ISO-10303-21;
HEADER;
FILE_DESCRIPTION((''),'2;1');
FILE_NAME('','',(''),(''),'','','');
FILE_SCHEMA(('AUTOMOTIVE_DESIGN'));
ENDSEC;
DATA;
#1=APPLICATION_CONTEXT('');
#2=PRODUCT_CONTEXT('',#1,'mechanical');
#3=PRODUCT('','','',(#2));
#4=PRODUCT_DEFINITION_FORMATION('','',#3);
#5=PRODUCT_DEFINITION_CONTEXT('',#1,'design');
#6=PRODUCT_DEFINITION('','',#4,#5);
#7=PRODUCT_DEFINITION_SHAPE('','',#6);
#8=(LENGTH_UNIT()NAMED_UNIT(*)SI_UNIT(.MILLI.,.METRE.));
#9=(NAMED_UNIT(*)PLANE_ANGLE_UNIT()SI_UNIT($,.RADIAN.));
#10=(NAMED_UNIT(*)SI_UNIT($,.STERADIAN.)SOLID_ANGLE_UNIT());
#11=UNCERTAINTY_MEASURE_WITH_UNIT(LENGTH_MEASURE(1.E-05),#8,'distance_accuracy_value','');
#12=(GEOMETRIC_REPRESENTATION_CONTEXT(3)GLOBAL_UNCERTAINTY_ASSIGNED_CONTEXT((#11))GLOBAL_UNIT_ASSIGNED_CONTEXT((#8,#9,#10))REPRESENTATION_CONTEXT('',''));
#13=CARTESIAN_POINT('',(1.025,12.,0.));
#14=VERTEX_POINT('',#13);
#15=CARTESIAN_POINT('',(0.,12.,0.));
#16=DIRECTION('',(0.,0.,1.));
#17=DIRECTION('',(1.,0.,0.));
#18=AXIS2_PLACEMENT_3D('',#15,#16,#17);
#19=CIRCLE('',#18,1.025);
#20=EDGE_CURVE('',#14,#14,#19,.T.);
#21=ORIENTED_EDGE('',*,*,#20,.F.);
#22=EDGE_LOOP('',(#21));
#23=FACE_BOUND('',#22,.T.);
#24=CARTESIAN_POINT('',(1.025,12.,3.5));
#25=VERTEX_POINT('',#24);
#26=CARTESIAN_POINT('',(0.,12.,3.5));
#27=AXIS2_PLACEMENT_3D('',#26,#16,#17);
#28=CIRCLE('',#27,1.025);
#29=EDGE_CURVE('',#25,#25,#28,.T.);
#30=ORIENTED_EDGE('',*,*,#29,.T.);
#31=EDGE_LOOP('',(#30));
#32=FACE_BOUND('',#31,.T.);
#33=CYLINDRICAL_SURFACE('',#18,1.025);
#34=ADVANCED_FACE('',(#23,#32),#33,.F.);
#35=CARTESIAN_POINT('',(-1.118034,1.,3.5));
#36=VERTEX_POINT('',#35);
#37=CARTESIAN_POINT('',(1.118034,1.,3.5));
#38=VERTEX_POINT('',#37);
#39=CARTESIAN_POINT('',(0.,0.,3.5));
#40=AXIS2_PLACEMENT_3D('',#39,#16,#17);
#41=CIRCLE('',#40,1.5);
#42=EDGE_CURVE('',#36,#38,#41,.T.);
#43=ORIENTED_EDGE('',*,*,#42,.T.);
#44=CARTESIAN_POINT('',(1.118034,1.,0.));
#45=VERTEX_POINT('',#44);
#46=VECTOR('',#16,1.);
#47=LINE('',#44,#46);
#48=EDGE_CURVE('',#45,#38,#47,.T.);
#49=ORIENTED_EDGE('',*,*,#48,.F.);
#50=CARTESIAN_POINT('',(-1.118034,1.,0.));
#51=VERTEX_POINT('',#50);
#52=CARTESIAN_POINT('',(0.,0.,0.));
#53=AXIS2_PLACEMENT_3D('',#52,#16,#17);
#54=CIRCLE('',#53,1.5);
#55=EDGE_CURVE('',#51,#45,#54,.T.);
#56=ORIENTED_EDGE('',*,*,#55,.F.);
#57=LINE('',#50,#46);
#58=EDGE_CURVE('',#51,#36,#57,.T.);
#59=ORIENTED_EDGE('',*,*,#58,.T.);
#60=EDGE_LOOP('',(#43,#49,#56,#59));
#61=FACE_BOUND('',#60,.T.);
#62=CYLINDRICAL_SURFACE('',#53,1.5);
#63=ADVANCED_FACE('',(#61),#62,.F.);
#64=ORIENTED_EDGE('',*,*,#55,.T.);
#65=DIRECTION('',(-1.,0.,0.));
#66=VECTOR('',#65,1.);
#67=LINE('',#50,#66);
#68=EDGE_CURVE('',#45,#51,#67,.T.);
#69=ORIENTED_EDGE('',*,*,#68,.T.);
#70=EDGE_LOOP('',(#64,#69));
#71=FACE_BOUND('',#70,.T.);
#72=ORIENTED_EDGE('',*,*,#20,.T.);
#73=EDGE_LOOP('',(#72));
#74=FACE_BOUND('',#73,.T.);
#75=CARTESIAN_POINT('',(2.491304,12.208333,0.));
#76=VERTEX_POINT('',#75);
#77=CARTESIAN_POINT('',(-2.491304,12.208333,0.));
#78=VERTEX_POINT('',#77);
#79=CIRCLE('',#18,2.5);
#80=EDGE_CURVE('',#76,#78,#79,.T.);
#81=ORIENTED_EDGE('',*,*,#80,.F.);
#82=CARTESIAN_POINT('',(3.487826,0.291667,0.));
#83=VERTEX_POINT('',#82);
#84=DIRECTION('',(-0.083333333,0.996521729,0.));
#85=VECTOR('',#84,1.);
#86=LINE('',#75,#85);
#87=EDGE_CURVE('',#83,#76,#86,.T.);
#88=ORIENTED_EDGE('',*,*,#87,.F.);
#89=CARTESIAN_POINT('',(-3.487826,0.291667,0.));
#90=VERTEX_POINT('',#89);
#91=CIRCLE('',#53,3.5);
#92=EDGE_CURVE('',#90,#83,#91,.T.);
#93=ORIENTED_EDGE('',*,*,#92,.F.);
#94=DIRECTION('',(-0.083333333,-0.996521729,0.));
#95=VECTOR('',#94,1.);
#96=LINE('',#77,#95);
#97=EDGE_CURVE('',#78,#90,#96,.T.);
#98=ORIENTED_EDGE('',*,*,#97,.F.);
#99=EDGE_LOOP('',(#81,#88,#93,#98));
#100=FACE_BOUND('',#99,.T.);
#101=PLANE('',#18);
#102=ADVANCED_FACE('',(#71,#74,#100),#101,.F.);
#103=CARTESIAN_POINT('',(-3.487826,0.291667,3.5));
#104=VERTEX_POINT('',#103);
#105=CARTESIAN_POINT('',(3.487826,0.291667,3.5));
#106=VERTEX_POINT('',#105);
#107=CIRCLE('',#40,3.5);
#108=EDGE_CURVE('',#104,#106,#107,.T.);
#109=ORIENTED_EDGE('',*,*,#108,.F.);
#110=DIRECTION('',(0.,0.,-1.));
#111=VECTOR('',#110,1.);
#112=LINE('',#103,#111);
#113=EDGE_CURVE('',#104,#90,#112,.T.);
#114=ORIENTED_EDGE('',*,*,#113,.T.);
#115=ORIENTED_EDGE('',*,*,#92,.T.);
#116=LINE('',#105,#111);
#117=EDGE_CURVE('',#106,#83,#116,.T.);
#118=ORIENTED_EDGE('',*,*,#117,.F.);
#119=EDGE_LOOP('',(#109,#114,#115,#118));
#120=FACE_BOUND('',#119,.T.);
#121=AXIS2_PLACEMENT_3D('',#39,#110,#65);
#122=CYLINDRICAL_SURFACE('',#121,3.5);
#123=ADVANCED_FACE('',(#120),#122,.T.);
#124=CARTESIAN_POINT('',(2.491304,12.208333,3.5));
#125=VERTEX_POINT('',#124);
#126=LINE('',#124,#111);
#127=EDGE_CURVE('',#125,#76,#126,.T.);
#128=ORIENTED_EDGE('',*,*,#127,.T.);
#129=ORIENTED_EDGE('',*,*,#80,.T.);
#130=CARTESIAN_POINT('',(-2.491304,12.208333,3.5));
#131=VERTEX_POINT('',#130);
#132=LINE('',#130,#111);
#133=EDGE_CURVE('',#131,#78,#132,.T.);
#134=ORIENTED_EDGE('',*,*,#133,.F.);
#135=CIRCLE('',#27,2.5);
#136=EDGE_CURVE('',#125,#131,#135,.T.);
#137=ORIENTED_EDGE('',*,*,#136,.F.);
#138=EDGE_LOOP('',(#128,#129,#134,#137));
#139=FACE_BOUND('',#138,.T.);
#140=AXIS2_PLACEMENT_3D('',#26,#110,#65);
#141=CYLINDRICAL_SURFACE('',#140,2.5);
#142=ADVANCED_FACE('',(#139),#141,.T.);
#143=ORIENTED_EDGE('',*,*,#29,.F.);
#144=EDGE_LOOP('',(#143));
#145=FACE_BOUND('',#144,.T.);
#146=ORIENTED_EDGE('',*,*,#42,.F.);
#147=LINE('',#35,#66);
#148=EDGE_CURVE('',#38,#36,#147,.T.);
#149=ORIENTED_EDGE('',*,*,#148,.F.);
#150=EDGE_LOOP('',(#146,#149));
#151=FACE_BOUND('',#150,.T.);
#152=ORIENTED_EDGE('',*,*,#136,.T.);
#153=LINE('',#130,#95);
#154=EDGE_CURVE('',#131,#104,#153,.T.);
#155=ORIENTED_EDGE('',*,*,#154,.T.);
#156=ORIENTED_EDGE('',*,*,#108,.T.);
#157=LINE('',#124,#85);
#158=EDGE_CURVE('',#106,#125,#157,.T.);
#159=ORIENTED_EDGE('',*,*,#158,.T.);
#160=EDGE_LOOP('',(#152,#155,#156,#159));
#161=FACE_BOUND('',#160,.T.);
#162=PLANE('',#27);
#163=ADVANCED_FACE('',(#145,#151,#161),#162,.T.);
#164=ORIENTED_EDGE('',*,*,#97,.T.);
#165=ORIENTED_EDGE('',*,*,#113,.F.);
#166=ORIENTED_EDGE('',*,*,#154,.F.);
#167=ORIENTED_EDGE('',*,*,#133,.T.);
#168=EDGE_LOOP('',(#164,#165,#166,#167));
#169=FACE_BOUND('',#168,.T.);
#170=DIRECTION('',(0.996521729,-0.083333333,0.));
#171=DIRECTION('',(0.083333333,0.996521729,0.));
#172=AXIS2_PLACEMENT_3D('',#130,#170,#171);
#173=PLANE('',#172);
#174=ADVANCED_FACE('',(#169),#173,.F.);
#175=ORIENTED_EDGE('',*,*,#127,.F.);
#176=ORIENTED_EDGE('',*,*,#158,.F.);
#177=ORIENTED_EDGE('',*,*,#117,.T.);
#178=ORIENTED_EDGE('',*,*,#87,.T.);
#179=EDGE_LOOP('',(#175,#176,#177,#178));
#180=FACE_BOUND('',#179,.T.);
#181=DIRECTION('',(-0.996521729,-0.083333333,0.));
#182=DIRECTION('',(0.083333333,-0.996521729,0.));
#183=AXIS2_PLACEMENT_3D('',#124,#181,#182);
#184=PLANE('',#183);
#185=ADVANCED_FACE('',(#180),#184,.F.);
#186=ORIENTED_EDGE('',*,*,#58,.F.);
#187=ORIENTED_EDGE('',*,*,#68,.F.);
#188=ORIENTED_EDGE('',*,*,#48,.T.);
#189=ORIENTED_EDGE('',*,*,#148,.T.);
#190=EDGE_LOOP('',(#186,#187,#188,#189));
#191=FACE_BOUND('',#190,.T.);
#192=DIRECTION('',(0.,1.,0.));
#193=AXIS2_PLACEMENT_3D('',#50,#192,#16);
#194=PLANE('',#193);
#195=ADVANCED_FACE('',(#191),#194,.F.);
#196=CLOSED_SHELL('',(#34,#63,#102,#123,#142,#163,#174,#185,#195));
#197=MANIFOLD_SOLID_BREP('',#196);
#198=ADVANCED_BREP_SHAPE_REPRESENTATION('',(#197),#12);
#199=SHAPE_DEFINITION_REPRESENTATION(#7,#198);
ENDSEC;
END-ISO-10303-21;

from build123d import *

# Parameters (mm, degrees)
BOSS_EXTRUDE1_DEPTH = 3.5
SKETCH2_R           = 1.025
CUT_EXTRUDE1_DEPTH  = 16.321553446


with BuildPart() as part:
    # Sketch1 → Boss-Extrude1 (new body)
    with BuildSketch(Plane.XY):
        with BuildLine():
            Line((-2.491304321, 12.208333333), (-3.48782605, 0.291666667))
            ThreePointArc((-3.48782605, 0.291666667), (0, -3.5), (3.48782605, 0.291666667))
            Line((3.48782605, 0.291666667), (2.491304321, 12.208333333))
            ThreePointArc((2.491304321, 12.208333333), (0, 14.5), (-2.491304321, 12.208333333))
        make_face()
    extrude(amount=BOSS_EXTRUDE1_DEPTH)

    # Sketch2 → Cut-Extrude1 (cut, through all)
    with BuildSketch(Plane.XY.offset(3.5)):
        with Locations((0, 12)):
            Circle(SKETCH2_R)
        with BuildLine():
            Line((-1.118033989, 1), (1.118033989, 1))
            ThreePointArc((1.118033989, 1), (0, -1.5), (-1.118033989, 1))
        make_face()
    extrude(amount=-CUT_EXTRUDE1_DEPTH, mode=Mode.SUBTRACT)


solid = part.part
